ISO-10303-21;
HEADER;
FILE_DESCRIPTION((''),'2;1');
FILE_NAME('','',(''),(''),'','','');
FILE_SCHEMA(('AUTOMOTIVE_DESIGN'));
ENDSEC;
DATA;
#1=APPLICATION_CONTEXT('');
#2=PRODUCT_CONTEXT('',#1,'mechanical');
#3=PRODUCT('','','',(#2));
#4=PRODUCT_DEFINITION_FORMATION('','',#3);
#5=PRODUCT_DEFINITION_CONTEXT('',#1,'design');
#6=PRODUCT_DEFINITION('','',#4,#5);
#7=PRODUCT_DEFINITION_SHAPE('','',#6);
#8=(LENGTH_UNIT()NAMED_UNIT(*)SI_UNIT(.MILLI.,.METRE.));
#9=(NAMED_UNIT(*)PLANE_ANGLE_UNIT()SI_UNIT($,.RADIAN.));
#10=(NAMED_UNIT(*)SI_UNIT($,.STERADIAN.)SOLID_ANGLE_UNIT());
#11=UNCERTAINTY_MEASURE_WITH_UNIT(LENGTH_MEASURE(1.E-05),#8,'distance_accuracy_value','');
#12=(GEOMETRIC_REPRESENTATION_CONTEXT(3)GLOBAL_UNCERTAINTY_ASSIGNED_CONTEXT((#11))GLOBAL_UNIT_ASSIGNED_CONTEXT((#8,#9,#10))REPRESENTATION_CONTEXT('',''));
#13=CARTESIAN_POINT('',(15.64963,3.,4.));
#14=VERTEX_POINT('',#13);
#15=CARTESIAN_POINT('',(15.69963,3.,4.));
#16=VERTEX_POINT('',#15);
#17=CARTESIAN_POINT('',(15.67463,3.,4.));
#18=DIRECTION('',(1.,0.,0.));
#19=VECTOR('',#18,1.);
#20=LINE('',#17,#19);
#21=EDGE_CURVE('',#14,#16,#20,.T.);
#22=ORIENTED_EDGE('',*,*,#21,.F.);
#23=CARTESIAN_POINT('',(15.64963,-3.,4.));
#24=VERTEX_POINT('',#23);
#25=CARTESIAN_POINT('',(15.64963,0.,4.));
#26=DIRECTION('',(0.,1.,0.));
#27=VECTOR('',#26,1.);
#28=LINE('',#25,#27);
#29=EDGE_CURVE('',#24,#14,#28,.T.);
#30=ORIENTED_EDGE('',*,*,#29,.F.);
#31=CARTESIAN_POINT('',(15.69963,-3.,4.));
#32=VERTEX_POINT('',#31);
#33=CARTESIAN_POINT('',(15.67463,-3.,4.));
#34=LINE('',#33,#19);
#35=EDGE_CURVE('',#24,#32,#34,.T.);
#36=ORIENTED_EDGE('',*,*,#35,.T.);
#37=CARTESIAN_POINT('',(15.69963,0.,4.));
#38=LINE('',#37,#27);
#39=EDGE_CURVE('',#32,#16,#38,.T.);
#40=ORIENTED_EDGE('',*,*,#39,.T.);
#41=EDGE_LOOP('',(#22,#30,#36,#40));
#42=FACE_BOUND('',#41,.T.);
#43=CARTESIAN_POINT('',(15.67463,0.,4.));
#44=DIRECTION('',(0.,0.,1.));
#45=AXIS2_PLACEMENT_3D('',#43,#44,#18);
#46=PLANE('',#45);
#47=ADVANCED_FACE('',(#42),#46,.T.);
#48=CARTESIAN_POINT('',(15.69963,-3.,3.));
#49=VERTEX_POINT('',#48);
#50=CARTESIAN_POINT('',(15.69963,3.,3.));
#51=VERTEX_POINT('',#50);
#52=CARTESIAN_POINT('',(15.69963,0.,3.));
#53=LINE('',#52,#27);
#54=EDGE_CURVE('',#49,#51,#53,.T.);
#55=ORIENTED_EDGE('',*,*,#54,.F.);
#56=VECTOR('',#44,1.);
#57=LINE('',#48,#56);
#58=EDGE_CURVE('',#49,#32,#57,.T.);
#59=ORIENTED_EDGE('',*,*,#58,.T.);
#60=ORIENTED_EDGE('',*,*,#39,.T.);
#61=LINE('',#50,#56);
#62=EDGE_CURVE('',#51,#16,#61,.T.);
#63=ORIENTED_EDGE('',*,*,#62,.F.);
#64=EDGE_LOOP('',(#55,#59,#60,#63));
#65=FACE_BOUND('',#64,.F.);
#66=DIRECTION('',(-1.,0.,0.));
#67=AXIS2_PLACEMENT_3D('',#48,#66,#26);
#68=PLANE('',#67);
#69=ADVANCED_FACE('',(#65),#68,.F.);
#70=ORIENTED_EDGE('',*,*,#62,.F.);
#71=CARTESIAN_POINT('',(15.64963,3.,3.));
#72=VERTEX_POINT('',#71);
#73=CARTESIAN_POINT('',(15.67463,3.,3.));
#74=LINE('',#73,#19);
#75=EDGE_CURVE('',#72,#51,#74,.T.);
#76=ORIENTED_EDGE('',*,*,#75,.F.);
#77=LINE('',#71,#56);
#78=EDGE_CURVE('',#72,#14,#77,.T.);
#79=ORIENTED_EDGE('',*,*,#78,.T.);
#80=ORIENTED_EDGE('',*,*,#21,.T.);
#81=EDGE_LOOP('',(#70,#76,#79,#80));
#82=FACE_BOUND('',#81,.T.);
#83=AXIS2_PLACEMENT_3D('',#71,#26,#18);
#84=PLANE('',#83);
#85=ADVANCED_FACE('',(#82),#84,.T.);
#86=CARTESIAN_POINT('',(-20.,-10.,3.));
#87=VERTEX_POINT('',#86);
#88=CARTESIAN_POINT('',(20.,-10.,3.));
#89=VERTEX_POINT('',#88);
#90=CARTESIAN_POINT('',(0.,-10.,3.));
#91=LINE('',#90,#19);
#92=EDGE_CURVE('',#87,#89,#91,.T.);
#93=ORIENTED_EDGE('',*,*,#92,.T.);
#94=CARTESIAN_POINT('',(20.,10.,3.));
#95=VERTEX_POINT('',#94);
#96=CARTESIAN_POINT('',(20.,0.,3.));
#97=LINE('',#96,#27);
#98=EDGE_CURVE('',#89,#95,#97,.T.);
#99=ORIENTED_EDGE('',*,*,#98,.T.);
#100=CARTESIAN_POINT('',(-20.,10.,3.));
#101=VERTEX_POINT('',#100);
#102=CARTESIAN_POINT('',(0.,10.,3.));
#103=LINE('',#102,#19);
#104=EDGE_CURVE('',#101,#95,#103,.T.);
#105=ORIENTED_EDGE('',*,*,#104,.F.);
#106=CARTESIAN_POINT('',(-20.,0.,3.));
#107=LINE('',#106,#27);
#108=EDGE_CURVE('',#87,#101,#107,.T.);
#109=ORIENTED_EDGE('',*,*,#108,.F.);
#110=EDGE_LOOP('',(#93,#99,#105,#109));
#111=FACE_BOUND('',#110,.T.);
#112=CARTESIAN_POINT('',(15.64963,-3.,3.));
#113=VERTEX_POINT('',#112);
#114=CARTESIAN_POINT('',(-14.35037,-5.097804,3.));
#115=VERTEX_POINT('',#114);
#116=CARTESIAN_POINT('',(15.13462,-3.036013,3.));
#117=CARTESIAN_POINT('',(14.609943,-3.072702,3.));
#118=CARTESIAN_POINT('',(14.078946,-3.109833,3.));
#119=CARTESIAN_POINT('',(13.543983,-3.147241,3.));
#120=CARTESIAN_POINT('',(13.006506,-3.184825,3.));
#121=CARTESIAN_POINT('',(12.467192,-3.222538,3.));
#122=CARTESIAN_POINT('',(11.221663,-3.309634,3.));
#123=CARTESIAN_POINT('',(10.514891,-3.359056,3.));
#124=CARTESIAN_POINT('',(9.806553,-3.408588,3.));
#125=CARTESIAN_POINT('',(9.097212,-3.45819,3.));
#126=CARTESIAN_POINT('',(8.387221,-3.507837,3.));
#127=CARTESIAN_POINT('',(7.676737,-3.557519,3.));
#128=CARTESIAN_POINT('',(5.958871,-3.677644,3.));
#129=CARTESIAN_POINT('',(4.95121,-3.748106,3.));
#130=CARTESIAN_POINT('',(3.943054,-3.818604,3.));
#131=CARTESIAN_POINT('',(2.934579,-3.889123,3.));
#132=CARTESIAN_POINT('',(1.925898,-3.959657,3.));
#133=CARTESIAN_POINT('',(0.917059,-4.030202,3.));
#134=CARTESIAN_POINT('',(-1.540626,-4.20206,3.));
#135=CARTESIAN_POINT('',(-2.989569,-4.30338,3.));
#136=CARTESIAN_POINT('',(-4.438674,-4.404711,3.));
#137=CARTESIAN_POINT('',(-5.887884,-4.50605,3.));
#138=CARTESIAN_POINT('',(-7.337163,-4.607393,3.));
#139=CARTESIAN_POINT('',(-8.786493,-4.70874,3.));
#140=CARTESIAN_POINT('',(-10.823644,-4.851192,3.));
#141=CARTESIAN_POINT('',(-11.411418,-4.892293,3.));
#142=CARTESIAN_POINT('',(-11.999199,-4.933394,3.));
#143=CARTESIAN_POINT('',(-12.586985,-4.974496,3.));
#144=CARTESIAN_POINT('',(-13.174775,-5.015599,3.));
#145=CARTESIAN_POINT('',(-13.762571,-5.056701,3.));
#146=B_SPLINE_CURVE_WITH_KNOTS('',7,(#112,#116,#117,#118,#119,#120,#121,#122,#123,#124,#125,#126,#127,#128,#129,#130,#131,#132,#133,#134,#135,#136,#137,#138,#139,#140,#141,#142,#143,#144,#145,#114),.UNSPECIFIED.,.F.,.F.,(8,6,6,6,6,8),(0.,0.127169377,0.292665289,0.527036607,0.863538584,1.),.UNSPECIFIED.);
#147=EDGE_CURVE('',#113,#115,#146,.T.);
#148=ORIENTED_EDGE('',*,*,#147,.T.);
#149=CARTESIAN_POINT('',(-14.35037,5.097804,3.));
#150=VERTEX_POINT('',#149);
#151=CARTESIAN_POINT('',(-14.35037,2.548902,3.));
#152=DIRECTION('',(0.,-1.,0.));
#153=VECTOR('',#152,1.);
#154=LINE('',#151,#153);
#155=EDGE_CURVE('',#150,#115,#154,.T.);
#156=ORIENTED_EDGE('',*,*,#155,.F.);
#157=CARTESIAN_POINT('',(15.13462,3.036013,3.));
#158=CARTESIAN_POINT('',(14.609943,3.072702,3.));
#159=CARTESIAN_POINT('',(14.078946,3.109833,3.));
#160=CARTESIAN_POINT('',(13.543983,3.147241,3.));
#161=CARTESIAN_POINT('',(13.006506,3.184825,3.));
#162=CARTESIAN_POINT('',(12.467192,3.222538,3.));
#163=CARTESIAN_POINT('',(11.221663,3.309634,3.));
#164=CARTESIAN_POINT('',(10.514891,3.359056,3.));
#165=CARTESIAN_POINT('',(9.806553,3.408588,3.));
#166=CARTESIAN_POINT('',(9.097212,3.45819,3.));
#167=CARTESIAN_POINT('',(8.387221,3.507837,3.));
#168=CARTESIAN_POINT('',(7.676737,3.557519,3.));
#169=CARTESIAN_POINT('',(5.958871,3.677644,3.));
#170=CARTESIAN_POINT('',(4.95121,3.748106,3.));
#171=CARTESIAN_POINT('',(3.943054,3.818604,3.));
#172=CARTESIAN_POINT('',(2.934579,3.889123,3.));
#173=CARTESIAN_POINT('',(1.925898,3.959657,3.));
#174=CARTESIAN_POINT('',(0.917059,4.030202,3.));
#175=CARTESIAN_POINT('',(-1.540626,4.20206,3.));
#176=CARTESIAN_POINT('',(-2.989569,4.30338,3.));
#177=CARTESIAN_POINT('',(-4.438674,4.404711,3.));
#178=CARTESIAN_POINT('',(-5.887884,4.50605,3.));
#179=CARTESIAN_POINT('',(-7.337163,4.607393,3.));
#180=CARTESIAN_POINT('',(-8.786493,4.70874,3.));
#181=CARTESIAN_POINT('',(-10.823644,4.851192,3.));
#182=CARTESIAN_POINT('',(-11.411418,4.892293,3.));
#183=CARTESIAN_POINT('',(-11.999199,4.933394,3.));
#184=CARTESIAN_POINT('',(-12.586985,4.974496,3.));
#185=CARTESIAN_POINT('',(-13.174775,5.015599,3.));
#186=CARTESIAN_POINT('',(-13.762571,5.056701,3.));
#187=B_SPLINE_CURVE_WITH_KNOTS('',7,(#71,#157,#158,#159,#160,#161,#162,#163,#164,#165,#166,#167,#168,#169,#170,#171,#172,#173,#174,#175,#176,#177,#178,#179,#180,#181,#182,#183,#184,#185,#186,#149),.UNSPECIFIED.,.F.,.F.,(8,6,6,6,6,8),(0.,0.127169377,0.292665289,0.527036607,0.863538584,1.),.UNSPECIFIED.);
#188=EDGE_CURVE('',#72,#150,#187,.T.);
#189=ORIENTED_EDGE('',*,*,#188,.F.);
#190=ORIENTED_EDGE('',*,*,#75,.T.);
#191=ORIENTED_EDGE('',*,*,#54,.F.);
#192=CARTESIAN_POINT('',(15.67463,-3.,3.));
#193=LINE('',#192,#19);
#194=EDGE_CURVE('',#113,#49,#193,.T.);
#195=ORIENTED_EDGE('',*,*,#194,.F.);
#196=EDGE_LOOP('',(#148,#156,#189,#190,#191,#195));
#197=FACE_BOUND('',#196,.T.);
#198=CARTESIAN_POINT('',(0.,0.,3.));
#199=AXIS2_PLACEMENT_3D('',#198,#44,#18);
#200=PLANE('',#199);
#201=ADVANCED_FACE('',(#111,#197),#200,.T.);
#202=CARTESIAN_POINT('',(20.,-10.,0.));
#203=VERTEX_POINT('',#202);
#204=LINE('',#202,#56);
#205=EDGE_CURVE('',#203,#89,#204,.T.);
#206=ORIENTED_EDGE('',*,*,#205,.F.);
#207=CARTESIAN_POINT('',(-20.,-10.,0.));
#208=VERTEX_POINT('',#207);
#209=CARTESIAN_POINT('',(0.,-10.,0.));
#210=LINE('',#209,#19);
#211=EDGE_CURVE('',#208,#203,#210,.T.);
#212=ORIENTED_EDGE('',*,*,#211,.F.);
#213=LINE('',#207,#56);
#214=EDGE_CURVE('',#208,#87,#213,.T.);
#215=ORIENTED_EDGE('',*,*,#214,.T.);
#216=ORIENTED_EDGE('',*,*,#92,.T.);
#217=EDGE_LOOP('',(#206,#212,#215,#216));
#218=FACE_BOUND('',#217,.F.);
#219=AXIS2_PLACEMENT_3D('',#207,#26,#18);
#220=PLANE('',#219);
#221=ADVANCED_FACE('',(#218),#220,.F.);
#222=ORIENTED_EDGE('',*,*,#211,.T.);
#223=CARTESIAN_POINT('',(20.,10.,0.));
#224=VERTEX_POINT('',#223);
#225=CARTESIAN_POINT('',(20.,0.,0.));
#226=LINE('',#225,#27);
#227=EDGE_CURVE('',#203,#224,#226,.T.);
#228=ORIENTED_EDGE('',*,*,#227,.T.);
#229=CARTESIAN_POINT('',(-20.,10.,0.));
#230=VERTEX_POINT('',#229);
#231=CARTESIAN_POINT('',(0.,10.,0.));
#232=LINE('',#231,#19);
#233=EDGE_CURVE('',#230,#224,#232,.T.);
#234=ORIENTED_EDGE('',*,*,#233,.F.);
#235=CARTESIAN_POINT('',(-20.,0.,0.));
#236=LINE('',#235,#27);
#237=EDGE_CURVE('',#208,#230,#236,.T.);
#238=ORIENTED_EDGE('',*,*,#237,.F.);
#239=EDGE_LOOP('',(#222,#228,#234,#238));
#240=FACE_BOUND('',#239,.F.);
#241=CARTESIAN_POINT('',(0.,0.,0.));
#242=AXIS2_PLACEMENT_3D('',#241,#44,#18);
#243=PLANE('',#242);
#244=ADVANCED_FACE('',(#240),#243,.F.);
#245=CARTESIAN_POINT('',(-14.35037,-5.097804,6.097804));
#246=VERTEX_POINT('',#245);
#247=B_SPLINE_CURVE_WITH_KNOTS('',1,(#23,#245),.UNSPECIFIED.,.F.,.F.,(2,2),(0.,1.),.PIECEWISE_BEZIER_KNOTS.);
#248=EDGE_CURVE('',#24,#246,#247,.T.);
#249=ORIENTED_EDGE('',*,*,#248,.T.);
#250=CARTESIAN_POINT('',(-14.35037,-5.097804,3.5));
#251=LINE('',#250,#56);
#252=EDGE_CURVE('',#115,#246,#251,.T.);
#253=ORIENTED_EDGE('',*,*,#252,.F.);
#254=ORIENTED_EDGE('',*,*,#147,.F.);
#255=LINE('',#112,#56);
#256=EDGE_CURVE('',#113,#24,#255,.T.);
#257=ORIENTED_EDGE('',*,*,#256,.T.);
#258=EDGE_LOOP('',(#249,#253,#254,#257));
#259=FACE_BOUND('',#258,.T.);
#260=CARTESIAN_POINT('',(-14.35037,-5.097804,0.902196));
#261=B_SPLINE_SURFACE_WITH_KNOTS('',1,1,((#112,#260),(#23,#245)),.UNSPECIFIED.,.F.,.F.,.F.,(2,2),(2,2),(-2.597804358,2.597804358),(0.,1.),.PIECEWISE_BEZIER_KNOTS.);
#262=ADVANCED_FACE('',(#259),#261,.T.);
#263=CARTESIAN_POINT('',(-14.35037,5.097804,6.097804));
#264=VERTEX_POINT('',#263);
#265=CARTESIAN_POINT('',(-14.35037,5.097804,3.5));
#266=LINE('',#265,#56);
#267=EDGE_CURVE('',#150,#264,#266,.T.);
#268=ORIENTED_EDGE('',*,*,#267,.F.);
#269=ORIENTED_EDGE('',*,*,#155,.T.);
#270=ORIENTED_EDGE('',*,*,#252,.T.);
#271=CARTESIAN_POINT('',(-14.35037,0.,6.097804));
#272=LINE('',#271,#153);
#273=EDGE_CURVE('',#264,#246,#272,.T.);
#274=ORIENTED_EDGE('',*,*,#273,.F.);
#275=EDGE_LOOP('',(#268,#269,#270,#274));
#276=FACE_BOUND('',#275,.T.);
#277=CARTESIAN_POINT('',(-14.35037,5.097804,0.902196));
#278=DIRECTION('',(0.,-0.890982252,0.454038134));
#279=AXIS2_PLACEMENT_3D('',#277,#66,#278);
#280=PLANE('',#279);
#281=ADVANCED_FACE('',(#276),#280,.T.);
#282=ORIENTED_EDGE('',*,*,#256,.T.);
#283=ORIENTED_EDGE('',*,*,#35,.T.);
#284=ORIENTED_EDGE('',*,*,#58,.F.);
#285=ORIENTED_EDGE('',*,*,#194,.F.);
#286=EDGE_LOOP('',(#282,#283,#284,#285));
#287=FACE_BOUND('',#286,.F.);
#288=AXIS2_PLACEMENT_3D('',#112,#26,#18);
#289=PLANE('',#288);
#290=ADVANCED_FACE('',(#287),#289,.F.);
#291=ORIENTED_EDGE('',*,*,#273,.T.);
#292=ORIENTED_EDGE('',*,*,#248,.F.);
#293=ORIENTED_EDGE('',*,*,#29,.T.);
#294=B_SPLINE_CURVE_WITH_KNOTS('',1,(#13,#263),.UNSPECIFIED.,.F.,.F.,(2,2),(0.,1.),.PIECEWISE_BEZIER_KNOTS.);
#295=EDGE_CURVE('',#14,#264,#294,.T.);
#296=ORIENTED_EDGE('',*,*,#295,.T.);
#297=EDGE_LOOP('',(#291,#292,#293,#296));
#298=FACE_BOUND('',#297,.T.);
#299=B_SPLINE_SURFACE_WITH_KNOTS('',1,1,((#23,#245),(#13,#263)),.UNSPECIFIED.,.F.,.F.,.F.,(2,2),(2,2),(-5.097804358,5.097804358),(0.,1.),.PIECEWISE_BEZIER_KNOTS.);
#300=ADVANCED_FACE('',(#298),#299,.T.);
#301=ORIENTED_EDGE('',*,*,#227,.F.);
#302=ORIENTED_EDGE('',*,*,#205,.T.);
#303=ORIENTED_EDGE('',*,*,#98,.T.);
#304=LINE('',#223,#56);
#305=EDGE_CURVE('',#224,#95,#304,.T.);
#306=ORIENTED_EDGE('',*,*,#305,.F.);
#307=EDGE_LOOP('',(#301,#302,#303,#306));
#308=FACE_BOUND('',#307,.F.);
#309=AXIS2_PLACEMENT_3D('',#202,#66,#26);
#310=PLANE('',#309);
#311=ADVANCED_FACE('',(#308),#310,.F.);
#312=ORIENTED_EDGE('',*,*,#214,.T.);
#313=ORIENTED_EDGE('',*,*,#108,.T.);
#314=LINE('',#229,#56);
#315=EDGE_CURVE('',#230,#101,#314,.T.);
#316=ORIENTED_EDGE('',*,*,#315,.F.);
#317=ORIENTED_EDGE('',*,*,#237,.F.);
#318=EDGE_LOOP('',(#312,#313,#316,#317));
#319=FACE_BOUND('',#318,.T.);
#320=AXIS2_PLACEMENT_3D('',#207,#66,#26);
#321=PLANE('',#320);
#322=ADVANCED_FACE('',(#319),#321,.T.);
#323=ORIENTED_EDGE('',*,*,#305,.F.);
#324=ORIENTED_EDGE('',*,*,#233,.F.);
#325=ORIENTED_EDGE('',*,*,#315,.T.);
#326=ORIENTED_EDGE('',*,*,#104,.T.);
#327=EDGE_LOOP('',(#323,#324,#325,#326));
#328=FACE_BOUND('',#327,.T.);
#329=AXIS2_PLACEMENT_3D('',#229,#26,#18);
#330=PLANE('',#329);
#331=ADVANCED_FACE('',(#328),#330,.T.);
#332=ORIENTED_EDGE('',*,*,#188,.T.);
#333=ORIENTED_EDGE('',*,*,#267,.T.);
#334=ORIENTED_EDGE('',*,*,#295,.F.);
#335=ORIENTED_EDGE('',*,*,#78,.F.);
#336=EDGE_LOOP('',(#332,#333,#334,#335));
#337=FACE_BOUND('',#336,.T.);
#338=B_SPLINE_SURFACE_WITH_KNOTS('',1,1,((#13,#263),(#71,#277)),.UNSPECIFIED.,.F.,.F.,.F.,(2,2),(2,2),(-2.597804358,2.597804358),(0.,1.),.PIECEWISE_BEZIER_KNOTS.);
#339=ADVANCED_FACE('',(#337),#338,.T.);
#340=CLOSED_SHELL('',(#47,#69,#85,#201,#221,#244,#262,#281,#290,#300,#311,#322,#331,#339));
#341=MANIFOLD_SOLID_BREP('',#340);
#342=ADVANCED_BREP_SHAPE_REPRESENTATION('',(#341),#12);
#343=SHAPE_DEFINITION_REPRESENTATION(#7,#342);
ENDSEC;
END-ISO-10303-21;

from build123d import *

# Parameters (mm, degrees)
F0_W      = 40
F0_H      = 20
F1_DEPTH  = 3
F2_W      = 0.05
F2_H      = 6
F3_DEPTH  = 1
F3_FACE_W = 6
F3_FACE_H = 1
F4_DEPTH  = 30
F4_TAPER  = -4


with BuildPart() as f1:
    # F0 (on Top) → F1 (new body)
    with BuildSketch(Plane.XY):
        Rectangle(F0_W, F0_H)
    extrude(amount=F1_DEPTH)

    # F2 (on face) → F3 (join)
    with BuildSketch(Plane.XY.offset(3)):
        with Locations((15.67463018, 0)):
            Rectangle(F2_W, F2_H)
    extrude(amount=F3_DEPTH)

    # F3_face (on face) → F4 (join)
    with BuildSketch(Plane(origin=(15.64963018, 0, 3.5), x_dir=(0, -1, 0), z_dir=(-1, 0, 0))):
        Rectangle(F3_FACE_W, F3_FACE_H)
    extrude(amount=F4_DEPTH, taper=F4_TAPER)


solid = f1.part
